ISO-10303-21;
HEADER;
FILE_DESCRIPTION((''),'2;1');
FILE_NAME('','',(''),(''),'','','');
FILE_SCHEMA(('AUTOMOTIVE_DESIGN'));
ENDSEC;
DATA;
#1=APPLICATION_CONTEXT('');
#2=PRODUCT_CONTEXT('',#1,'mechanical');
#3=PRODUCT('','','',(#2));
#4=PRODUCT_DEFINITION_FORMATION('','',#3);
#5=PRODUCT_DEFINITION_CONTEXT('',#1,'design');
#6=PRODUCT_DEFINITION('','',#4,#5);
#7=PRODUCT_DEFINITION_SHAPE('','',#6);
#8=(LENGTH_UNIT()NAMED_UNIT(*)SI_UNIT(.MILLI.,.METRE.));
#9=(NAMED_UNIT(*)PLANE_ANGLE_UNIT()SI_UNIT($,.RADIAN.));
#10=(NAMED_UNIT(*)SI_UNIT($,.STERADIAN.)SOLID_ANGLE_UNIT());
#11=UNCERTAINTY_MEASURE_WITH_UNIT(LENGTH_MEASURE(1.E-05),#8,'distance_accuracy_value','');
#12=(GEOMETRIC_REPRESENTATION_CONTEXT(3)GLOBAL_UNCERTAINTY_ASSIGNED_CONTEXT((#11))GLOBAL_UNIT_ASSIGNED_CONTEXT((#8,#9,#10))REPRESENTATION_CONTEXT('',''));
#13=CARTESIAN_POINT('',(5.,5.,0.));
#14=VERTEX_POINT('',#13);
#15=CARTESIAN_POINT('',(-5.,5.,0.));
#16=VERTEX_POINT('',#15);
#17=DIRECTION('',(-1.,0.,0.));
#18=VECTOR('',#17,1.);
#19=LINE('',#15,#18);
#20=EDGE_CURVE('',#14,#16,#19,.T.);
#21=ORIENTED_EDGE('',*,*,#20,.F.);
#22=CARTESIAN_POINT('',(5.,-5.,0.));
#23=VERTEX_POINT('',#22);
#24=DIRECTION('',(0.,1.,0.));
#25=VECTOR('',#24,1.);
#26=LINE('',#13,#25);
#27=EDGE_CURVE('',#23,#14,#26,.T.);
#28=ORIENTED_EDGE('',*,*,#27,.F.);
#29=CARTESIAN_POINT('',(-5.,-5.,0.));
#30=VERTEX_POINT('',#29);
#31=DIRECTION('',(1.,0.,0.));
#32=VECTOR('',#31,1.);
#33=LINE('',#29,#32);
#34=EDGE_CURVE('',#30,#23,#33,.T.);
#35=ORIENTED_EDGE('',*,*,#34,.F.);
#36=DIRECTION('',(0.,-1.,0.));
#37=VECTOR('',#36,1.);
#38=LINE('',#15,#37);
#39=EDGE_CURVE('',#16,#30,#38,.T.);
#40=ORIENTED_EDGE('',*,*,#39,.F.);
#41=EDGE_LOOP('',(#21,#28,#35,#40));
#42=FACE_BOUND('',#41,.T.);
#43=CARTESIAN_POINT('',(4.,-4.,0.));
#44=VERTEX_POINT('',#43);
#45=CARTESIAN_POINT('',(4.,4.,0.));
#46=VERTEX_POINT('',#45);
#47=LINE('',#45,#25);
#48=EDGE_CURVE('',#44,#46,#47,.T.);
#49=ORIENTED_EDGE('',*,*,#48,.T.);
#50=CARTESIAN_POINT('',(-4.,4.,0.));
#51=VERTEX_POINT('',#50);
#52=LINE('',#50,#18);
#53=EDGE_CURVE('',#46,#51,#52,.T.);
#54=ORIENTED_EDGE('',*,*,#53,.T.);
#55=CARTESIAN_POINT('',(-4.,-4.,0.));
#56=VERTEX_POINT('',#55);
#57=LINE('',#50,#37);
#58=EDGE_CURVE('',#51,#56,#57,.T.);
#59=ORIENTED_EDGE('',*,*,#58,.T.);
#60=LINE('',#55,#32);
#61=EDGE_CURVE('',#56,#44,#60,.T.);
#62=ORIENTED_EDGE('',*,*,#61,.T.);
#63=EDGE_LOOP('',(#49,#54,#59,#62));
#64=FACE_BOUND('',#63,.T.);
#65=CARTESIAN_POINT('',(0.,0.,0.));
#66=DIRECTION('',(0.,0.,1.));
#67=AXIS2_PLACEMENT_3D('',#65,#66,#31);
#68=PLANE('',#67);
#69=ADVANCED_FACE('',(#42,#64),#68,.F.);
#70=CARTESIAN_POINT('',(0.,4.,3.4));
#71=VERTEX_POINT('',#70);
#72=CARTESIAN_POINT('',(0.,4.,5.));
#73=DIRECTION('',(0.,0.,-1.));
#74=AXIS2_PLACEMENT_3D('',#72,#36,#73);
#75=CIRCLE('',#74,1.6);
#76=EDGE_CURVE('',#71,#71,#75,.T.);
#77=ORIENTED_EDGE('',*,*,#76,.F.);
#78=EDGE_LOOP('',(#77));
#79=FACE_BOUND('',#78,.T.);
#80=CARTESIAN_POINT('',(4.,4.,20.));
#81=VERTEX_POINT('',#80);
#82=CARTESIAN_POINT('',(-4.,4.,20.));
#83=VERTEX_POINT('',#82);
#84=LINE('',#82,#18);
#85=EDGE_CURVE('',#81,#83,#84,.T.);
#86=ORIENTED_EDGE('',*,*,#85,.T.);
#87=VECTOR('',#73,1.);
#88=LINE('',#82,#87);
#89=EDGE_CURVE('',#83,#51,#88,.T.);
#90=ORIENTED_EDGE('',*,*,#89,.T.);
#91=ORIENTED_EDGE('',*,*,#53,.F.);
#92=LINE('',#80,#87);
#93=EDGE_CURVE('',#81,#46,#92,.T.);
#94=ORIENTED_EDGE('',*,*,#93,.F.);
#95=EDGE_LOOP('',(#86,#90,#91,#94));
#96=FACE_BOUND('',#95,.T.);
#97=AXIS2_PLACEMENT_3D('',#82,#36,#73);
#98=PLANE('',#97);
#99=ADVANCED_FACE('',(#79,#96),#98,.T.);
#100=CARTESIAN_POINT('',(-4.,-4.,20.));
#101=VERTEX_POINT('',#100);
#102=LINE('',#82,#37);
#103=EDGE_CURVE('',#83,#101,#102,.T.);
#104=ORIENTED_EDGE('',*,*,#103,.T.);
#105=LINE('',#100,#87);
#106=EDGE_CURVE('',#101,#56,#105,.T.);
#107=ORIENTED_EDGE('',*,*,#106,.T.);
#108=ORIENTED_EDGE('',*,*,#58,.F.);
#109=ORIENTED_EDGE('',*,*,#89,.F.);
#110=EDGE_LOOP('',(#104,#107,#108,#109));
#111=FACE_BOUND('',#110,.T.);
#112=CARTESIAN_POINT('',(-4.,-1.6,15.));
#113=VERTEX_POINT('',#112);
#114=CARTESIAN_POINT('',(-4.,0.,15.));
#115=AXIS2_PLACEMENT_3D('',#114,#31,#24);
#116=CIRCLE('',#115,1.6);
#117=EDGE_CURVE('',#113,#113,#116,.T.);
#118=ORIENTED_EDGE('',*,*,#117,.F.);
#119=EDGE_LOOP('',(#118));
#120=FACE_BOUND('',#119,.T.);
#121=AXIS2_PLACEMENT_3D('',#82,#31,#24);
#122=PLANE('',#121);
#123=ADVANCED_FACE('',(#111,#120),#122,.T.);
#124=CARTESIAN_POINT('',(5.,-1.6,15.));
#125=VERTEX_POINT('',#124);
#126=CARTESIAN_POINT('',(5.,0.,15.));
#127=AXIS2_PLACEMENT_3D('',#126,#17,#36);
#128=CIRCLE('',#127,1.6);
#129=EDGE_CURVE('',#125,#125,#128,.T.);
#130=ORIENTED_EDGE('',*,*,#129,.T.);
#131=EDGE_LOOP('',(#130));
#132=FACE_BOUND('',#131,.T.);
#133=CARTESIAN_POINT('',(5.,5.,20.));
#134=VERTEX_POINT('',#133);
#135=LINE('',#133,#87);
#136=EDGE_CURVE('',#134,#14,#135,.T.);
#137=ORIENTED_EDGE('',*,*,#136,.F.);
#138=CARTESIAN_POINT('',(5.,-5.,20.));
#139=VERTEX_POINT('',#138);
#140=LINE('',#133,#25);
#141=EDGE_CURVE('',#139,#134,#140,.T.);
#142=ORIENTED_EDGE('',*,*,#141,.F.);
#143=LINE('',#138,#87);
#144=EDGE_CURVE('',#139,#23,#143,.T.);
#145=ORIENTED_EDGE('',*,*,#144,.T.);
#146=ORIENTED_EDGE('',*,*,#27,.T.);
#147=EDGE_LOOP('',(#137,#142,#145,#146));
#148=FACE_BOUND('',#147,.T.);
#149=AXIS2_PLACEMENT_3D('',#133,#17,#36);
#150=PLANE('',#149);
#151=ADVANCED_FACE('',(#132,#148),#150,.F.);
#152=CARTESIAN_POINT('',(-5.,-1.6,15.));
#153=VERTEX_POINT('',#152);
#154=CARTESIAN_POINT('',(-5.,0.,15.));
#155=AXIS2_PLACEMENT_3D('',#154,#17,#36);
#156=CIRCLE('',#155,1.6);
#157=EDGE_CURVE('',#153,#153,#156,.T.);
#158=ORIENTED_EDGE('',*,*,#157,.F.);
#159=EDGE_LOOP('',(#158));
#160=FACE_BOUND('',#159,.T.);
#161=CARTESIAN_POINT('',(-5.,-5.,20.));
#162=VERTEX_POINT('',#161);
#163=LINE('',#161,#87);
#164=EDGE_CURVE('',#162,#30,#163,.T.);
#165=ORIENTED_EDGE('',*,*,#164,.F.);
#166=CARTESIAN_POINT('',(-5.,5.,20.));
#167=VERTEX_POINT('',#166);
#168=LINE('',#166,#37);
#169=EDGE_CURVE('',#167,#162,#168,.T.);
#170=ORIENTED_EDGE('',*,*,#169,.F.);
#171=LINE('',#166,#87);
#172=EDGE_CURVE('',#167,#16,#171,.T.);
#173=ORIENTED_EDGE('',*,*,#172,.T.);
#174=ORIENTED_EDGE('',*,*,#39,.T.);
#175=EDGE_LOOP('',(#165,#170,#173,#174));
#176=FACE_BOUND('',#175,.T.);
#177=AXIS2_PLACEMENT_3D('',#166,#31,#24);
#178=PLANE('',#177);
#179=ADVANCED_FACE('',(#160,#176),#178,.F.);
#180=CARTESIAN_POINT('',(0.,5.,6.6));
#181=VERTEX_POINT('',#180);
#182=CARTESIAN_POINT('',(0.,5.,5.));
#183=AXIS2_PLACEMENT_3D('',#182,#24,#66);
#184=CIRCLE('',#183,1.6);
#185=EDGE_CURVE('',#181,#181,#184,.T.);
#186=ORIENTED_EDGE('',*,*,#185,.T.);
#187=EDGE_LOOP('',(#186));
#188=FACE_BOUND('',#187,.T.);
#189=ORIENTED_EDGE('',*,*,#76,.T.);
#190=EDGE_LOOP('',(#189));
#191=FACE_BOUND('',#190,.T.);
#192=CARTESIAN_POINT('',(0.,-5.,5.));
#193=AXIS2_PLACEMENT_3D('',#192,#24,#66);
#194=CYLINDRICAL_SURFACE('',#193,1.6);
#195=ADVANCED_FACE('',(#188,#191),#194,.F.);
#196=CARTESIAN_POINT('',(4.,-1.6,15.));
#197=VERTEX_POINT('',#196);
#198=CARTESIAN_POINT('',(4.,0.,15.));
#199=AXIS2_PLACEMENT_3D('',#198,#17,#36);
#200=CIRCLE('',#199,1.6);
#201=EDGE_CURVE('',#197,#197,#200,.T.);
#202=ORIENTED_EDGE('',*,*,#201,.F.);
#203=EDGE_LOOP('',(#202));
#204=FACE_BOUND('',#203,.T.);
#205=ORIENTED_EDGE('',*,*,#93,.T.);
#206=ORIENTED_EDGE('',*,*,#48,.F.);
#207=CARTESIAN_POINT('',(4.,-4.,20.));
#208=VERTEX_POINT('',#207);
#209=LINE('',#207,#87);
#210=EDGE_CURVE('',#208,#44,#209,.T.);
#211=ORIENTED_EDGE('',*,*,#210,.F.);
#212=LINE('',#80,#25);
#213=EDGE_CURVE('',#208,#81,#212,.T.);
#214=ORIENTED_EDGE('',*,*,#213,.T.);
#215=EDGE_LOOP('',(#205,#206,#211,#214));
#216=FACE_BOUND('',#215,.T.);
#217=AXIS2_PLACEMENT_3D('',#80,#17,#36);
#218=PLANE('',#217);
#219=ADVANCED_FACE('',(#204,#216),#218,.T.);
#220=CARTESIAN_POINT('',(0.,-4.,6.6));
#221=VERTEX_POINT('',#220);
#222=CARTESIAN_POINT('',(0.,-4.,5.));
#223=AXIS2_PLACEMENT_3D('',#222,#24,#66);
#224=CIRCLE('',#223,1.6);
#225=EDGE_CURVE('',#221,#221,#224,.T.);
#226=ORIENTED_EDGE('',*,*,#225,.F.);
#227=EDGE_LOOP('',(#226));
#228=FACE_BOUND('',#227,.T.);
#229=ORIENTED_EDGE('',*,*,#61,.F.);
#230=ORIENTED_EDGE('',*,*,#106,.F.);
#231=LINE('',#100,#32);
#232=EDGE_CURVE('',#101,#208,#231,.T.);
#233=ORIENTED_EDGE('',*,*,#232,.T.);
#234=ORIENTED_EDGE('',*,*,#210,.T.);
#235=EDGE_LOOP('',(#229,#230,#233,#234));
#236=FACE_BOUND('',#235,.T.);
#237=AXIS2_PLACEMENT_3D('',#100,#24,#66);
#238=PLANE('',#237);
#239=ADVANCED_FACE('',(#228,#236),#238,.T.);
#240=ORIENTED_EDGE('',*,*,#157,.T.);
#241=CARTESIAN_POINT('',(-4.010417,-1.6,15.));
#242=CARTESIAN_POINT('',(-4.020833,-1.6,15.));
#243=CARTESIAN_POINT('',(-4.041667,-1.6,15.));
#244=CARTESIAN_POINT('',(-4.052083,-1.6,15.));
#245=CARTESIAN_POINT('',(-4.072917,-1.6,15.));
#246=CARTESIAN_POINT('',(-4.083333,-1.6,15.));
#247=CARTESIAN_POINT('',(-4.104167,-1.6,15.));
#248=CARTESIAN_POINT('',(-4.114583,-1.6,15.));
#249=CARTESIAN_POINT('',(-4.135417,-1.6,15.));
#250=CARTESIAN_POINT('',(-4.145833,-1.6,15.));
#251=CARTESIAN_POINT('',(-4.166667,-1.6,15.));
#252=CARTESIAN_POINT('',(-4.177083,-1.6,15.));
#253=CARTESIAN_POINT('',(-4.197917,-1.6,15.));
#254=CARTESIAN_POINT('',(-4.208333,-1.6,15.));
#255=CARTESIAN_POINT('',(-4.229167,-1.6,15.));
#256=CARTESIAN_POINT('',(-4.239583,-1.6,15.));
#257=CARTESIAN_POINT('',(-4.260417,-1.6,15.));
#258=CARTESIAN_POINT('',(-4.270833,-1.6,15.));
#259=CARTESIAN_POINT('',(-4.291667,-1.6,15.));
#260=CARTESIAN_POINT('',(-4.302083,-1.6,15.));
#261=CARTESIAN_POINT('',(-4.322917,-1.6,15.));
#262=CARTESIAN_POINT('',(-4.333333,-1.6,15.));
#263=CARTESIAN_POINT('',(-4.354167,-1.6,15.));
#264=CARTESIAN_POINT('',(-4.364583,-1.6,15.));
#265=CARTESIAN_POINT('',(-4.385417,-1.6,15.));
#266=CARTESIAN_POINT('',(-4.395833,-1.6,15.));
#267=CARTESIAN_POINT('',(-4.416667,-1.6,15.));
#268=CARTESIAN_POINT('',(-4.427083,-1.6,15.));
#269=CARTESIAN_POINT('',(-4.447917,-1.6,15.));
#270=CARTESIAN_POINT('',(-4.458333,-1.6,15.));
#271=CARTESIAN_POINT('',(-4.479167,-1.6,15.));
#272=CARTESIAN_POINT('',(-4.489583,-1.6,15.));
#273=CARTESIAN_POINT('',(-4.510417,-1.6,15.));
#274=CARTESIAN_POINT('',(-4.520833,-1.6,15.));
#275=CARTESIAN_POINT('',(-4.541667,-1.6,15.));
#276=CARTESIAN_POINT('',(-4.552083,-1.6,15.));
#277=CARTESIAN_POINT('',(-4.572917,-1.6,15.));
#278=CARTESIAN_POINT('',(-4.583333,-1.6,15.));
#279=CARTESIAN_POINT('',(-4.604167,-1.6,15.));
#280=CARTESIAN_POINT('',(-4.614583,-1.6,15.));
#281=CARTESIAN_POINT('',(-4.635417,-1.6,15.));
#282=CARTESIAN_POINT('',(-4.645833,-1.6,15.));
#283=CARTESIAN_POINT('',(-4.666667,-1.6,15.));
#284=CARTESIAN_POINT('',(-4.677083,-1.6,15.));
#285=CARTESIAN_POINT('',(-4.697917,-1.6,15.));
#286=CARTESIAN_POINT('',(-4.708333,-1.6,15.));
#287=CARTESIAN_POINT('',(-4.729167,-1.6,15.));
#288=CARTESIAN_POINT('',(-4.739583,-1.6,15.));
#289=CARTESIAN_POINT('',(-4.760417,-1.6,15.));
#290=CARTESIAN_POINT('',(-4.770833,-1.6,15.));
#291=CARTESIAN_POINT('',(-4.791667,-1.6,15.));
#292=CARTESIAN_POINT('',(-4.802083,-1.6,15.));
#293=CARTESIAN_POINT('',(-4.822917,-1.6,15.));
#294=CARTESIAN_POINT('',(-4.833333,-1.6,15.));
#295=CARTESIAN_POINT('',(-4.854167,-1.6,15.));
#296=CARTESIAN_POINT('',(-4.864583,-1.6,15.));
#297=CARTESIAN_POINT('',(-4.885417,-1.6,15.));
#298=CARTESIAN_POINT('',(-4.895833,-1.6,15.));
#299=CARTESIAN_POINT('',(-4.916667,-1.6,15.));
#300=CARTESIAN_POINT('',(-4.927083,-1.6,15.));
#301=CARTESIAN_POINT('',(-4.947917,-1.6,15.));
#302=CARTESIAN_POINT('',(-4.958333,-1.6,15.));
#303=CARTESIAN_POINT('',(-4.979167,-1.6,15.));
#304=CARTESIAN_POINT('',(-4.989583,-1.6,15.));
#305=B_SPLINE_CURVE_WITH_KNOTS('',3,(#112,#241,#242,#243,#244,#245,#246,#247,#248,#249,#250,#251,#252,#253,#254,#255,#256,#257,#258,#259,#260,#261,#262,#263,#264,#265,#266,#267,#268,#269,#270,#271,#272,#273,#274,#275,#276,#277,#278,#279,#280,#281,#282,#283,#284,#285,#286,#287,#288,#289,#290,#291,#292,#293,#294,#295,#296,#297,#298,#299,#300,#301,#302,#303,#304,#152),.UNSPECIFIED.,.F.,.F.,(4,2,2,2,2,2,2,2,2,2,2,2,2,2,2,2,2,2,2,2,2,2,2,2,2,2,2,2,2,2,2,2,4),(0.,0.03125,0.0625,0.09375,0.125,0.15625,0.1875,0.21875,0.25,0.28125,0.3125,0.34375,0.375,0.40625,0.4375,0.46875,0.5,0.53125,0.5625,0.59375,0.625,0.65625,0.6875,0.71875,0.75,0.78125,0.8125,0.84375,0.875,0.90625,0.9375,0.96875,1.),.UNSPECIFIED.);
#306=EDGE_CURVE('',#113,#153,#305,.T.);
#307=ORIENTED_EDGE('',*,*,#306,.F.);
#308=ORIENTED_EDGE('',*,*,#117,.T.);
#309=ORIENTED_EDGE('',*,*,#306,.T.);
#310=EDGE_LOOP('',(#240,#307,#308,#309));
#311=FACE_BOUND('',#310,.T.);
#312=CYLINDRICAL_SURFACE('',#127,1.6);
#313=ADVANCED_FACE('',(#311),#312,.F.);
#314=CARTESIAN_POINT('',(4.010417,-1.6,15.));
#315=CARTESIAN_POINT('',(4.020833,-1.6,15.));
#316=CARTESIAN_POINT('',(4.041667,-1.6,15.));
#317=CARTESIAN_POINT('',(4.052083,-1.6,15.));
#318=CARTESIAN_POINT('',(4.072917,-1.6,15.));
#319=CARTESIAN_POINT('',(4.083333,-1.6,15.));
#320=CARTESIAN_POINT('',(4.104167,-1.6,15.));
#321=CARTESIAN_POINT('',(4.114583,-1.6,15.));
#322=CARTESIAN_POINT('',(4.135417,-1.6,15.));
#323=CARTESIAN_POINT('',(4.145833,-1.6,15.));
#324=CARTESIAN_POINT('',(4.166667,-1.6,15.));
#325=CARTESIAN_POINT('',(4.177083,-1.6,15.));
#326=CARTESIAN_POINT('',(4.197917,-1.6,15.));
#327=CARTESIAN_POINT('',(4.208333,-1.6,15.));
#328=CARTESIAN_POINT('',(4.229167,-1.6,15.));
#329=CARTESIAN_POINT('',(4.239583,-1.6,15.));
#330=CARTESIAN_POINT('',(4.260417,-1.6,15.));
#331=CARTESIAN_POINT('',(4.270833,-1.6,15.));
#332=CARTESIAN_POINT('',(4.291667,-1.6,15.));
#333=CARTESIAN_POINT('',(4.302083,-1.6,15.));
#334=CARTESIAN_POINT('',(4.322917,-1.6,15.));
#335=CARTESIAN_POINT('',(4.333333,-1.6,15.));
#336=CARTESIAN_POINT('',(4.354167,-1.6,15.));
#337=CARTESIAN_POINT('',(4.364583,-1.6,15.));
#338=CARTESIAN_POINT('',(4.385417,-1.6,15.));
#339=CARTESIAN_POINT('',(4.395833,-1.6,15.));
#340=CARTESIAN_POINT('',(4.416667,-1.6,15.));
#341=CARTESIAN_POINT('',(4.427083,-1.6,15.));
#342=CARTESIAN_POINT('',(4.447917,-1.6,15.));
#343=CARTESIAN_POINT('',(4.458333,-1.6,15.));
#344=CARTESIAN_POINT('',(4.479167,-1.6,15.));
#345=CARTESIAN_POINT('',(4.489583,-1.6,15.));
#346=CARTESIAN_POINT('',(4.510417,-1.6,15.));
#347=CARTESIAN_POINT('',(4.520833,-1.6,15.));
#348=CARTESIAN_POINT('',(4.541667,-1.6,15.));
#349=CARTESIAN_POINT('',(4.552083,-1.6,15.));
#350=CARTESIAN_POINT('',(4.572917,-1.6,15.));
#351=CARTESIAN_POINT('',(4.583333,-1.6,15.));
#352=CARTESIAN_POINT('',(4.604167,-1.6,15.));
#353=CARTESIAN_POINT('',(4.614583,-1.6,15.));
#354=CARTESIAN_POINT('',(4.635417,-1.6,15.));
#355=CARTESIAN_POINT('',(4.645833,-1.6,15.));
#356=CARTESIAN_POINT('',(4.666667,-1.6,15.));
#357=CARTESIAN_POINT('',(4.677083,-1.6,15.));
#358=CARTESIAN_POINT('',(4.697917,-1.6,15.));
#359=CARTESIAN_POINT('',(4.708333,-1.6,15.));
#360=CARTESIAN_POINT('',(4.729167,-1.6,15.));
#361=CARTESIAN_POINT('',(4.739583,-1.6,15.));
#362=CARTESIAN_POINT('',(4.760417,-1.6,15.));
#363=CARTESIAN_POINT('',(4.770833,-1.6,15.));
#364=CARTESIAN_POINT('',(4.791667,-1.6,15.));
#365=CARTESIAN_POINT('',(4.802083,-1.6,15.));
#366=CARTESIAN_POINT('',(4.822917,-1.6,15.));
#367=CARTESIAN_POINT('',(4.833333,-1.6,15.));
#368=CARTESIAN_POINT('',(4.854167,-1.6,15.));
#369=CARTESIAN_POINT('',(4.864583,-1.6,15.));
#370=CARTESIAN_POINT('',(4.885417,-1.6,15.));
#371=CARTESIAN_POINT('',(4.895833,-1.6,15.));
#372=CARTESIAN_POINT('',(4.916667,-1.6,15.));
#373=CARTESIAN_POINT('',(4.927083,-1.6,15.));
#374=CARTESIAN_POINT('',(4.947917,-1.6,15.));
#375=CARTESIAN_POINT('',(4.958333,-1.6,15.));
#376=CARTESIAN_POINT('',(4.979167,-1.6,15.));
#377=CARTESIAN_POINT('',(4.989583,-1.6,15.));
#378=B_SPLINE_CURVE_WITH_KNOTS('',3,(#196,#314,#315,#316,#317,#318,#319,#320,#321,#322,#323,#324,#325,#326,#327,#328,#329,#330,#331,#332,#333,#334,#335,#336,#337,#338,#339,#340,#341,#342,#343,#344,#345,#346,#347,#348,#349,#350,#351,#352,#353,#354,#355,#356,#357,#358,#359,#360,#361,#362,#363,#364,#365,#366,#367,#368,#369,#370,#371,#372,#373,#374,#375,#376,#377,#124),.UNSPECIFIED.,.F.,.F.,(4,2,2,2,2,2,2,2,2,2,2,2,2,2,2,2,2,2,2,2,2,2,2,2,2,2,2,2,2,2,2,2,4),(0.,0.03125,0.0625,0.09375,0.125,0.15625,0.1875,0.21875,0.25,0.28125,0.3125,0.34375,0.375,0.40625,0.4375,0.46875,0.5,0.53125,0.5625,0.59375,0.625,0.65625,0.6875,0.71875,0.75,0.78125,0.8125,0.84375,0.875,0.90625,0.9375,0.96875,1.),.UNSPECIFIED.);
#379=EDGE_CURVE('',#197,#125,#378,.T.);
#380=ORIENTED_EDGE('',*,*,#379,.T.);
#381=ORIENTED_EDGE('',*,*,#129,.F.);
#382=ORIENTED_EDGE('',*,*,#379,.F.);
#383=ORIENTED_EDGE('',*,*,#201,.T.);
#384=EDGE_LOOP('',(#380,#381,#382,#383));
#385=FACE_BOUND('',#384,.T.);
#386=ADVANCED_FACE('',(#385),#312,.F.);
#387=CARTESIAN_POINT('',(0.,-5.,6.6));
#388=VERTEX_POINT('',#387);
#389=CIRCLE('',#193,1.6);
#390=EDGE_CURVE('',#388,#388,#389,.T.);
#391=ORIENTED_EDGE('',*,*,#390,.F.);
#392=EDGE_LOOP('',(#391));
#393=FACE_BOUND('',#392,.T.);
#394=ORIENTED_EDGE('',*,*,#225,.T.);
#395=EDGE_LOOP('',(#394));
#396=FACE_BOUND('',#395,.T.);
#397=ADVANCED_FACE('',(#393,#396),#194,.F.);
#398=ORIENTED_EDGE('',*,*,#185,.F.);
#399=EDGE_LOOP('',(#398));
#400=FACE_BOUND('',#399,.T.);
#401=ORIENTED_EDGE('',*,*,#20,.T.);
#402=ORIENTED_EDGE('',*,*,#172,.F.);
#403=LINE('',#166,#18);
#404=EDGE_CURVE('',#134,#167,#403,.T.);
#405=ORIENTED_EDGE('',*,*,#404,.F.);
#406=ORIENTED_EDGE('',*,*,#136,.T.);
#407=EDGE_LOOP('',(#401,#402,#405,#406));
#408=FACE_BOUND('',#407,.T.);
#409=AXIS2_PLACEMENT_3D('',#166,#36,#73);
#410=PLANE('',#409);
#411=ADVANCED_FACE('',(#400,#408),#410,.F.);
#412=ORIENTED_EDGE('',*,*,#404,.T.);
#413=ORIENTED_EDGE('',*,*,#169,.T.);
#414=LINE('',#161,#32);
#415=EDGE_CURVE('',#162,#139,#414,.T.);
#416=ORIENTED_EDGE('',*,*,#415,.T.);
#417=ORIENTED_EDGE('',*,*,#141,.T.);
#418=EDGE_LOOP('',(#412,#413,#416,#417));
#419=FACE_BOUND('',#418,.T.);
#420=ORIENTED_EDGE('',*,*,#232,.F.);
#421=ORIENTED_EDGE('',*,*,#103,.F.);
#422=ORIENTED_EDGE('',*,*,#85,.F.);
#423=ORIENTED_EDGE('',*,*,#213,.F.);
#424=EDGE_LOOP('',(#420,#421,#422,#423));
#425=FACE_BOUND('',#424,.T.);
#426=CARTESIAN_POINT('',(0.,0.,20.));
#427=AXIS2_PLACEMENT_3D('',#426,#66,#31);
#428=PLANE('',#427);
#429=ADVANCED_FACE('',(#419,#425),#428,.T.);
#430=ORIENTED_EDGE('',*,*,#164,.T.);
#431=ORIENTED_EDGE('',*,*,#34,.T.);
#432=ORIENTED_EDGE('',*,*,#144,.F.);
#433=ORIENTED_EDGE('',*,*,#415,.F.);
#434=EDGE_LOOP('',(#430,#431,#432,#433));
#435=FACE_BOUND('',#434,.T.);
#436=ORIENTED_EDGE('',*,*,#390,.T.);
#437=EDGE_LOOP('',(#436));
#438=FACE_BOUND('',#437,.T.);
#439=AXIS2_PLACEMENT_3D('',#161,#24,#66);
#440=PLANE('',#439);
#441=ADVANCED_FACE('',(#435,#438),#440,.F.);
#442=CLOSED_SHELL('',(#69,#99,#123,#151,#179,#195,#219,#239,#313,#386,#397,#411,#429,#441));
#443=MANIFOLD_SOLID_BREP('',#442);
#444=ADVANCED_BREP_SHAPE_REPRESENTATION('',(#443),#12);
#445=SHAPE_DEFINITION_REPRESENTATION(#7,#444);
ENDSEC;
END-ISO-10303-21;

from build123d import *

# Parameters (mm, degrees)
SKETCH_1_W          = 10
SKETCH_1_H          = 10
SKETCH_1_W_2        = 8
SKETCH_1_H_2        = 8
EXTRUDE_1_DEPTH     = 20
SKETCH_3_R          = 1.6
CUT_EXTRUDE_1_DEPTH = 23.912878475
SKETCH_4_R          = 1.6
CUT_EXTRUDE_2_DEPTH = 23.912878475


with BuildPart() as part:
    # ｽｹｯﾁ1 → ﾎﾞｽ - 押し出し1 (new body)
    with BuildSketch(Plane.XY):
        Rectangle(SKETCH_1_W, SKETCH_1_H)
        Rectangle(SKETCH_1_W_2, SKETCH_1_H_2, mode=Mode.SUBTRACT)
    extrude(amount=EXTRUDE_1_DEPTH)

    # ｽｹｯﾁ3 → ｶｯﾄ - 押し出し1 (cut, through all)
    with BuildSketch(Plane(origin=(0, 5, 0), x_dir=(1, 0, 0), z_dir=(0, 1, 0))):
        with Locations(Location((0, -5, 0), (0, 0, 270))):
            Circle(SKETCH_3_R)
    extrude(amount=-CUT_EXTRUDE_1_DEPTH, mode=Mode.SUBTRACT)

    # ｽｹｯﾁ4 → ｶｯﾄ - 押し出し2 (cut, through all)
    with BuildSketch(Plane.ZY.offset(5)):
        with Locations(Location((15, 0, 0), (0, 0, 270))):
            Circle(SKETCH_4_R)
    extrude(amount=-CUT_EXTRUDE_2_DEPTH, mode=Mode.SUBTRACT)


solid = part.part
